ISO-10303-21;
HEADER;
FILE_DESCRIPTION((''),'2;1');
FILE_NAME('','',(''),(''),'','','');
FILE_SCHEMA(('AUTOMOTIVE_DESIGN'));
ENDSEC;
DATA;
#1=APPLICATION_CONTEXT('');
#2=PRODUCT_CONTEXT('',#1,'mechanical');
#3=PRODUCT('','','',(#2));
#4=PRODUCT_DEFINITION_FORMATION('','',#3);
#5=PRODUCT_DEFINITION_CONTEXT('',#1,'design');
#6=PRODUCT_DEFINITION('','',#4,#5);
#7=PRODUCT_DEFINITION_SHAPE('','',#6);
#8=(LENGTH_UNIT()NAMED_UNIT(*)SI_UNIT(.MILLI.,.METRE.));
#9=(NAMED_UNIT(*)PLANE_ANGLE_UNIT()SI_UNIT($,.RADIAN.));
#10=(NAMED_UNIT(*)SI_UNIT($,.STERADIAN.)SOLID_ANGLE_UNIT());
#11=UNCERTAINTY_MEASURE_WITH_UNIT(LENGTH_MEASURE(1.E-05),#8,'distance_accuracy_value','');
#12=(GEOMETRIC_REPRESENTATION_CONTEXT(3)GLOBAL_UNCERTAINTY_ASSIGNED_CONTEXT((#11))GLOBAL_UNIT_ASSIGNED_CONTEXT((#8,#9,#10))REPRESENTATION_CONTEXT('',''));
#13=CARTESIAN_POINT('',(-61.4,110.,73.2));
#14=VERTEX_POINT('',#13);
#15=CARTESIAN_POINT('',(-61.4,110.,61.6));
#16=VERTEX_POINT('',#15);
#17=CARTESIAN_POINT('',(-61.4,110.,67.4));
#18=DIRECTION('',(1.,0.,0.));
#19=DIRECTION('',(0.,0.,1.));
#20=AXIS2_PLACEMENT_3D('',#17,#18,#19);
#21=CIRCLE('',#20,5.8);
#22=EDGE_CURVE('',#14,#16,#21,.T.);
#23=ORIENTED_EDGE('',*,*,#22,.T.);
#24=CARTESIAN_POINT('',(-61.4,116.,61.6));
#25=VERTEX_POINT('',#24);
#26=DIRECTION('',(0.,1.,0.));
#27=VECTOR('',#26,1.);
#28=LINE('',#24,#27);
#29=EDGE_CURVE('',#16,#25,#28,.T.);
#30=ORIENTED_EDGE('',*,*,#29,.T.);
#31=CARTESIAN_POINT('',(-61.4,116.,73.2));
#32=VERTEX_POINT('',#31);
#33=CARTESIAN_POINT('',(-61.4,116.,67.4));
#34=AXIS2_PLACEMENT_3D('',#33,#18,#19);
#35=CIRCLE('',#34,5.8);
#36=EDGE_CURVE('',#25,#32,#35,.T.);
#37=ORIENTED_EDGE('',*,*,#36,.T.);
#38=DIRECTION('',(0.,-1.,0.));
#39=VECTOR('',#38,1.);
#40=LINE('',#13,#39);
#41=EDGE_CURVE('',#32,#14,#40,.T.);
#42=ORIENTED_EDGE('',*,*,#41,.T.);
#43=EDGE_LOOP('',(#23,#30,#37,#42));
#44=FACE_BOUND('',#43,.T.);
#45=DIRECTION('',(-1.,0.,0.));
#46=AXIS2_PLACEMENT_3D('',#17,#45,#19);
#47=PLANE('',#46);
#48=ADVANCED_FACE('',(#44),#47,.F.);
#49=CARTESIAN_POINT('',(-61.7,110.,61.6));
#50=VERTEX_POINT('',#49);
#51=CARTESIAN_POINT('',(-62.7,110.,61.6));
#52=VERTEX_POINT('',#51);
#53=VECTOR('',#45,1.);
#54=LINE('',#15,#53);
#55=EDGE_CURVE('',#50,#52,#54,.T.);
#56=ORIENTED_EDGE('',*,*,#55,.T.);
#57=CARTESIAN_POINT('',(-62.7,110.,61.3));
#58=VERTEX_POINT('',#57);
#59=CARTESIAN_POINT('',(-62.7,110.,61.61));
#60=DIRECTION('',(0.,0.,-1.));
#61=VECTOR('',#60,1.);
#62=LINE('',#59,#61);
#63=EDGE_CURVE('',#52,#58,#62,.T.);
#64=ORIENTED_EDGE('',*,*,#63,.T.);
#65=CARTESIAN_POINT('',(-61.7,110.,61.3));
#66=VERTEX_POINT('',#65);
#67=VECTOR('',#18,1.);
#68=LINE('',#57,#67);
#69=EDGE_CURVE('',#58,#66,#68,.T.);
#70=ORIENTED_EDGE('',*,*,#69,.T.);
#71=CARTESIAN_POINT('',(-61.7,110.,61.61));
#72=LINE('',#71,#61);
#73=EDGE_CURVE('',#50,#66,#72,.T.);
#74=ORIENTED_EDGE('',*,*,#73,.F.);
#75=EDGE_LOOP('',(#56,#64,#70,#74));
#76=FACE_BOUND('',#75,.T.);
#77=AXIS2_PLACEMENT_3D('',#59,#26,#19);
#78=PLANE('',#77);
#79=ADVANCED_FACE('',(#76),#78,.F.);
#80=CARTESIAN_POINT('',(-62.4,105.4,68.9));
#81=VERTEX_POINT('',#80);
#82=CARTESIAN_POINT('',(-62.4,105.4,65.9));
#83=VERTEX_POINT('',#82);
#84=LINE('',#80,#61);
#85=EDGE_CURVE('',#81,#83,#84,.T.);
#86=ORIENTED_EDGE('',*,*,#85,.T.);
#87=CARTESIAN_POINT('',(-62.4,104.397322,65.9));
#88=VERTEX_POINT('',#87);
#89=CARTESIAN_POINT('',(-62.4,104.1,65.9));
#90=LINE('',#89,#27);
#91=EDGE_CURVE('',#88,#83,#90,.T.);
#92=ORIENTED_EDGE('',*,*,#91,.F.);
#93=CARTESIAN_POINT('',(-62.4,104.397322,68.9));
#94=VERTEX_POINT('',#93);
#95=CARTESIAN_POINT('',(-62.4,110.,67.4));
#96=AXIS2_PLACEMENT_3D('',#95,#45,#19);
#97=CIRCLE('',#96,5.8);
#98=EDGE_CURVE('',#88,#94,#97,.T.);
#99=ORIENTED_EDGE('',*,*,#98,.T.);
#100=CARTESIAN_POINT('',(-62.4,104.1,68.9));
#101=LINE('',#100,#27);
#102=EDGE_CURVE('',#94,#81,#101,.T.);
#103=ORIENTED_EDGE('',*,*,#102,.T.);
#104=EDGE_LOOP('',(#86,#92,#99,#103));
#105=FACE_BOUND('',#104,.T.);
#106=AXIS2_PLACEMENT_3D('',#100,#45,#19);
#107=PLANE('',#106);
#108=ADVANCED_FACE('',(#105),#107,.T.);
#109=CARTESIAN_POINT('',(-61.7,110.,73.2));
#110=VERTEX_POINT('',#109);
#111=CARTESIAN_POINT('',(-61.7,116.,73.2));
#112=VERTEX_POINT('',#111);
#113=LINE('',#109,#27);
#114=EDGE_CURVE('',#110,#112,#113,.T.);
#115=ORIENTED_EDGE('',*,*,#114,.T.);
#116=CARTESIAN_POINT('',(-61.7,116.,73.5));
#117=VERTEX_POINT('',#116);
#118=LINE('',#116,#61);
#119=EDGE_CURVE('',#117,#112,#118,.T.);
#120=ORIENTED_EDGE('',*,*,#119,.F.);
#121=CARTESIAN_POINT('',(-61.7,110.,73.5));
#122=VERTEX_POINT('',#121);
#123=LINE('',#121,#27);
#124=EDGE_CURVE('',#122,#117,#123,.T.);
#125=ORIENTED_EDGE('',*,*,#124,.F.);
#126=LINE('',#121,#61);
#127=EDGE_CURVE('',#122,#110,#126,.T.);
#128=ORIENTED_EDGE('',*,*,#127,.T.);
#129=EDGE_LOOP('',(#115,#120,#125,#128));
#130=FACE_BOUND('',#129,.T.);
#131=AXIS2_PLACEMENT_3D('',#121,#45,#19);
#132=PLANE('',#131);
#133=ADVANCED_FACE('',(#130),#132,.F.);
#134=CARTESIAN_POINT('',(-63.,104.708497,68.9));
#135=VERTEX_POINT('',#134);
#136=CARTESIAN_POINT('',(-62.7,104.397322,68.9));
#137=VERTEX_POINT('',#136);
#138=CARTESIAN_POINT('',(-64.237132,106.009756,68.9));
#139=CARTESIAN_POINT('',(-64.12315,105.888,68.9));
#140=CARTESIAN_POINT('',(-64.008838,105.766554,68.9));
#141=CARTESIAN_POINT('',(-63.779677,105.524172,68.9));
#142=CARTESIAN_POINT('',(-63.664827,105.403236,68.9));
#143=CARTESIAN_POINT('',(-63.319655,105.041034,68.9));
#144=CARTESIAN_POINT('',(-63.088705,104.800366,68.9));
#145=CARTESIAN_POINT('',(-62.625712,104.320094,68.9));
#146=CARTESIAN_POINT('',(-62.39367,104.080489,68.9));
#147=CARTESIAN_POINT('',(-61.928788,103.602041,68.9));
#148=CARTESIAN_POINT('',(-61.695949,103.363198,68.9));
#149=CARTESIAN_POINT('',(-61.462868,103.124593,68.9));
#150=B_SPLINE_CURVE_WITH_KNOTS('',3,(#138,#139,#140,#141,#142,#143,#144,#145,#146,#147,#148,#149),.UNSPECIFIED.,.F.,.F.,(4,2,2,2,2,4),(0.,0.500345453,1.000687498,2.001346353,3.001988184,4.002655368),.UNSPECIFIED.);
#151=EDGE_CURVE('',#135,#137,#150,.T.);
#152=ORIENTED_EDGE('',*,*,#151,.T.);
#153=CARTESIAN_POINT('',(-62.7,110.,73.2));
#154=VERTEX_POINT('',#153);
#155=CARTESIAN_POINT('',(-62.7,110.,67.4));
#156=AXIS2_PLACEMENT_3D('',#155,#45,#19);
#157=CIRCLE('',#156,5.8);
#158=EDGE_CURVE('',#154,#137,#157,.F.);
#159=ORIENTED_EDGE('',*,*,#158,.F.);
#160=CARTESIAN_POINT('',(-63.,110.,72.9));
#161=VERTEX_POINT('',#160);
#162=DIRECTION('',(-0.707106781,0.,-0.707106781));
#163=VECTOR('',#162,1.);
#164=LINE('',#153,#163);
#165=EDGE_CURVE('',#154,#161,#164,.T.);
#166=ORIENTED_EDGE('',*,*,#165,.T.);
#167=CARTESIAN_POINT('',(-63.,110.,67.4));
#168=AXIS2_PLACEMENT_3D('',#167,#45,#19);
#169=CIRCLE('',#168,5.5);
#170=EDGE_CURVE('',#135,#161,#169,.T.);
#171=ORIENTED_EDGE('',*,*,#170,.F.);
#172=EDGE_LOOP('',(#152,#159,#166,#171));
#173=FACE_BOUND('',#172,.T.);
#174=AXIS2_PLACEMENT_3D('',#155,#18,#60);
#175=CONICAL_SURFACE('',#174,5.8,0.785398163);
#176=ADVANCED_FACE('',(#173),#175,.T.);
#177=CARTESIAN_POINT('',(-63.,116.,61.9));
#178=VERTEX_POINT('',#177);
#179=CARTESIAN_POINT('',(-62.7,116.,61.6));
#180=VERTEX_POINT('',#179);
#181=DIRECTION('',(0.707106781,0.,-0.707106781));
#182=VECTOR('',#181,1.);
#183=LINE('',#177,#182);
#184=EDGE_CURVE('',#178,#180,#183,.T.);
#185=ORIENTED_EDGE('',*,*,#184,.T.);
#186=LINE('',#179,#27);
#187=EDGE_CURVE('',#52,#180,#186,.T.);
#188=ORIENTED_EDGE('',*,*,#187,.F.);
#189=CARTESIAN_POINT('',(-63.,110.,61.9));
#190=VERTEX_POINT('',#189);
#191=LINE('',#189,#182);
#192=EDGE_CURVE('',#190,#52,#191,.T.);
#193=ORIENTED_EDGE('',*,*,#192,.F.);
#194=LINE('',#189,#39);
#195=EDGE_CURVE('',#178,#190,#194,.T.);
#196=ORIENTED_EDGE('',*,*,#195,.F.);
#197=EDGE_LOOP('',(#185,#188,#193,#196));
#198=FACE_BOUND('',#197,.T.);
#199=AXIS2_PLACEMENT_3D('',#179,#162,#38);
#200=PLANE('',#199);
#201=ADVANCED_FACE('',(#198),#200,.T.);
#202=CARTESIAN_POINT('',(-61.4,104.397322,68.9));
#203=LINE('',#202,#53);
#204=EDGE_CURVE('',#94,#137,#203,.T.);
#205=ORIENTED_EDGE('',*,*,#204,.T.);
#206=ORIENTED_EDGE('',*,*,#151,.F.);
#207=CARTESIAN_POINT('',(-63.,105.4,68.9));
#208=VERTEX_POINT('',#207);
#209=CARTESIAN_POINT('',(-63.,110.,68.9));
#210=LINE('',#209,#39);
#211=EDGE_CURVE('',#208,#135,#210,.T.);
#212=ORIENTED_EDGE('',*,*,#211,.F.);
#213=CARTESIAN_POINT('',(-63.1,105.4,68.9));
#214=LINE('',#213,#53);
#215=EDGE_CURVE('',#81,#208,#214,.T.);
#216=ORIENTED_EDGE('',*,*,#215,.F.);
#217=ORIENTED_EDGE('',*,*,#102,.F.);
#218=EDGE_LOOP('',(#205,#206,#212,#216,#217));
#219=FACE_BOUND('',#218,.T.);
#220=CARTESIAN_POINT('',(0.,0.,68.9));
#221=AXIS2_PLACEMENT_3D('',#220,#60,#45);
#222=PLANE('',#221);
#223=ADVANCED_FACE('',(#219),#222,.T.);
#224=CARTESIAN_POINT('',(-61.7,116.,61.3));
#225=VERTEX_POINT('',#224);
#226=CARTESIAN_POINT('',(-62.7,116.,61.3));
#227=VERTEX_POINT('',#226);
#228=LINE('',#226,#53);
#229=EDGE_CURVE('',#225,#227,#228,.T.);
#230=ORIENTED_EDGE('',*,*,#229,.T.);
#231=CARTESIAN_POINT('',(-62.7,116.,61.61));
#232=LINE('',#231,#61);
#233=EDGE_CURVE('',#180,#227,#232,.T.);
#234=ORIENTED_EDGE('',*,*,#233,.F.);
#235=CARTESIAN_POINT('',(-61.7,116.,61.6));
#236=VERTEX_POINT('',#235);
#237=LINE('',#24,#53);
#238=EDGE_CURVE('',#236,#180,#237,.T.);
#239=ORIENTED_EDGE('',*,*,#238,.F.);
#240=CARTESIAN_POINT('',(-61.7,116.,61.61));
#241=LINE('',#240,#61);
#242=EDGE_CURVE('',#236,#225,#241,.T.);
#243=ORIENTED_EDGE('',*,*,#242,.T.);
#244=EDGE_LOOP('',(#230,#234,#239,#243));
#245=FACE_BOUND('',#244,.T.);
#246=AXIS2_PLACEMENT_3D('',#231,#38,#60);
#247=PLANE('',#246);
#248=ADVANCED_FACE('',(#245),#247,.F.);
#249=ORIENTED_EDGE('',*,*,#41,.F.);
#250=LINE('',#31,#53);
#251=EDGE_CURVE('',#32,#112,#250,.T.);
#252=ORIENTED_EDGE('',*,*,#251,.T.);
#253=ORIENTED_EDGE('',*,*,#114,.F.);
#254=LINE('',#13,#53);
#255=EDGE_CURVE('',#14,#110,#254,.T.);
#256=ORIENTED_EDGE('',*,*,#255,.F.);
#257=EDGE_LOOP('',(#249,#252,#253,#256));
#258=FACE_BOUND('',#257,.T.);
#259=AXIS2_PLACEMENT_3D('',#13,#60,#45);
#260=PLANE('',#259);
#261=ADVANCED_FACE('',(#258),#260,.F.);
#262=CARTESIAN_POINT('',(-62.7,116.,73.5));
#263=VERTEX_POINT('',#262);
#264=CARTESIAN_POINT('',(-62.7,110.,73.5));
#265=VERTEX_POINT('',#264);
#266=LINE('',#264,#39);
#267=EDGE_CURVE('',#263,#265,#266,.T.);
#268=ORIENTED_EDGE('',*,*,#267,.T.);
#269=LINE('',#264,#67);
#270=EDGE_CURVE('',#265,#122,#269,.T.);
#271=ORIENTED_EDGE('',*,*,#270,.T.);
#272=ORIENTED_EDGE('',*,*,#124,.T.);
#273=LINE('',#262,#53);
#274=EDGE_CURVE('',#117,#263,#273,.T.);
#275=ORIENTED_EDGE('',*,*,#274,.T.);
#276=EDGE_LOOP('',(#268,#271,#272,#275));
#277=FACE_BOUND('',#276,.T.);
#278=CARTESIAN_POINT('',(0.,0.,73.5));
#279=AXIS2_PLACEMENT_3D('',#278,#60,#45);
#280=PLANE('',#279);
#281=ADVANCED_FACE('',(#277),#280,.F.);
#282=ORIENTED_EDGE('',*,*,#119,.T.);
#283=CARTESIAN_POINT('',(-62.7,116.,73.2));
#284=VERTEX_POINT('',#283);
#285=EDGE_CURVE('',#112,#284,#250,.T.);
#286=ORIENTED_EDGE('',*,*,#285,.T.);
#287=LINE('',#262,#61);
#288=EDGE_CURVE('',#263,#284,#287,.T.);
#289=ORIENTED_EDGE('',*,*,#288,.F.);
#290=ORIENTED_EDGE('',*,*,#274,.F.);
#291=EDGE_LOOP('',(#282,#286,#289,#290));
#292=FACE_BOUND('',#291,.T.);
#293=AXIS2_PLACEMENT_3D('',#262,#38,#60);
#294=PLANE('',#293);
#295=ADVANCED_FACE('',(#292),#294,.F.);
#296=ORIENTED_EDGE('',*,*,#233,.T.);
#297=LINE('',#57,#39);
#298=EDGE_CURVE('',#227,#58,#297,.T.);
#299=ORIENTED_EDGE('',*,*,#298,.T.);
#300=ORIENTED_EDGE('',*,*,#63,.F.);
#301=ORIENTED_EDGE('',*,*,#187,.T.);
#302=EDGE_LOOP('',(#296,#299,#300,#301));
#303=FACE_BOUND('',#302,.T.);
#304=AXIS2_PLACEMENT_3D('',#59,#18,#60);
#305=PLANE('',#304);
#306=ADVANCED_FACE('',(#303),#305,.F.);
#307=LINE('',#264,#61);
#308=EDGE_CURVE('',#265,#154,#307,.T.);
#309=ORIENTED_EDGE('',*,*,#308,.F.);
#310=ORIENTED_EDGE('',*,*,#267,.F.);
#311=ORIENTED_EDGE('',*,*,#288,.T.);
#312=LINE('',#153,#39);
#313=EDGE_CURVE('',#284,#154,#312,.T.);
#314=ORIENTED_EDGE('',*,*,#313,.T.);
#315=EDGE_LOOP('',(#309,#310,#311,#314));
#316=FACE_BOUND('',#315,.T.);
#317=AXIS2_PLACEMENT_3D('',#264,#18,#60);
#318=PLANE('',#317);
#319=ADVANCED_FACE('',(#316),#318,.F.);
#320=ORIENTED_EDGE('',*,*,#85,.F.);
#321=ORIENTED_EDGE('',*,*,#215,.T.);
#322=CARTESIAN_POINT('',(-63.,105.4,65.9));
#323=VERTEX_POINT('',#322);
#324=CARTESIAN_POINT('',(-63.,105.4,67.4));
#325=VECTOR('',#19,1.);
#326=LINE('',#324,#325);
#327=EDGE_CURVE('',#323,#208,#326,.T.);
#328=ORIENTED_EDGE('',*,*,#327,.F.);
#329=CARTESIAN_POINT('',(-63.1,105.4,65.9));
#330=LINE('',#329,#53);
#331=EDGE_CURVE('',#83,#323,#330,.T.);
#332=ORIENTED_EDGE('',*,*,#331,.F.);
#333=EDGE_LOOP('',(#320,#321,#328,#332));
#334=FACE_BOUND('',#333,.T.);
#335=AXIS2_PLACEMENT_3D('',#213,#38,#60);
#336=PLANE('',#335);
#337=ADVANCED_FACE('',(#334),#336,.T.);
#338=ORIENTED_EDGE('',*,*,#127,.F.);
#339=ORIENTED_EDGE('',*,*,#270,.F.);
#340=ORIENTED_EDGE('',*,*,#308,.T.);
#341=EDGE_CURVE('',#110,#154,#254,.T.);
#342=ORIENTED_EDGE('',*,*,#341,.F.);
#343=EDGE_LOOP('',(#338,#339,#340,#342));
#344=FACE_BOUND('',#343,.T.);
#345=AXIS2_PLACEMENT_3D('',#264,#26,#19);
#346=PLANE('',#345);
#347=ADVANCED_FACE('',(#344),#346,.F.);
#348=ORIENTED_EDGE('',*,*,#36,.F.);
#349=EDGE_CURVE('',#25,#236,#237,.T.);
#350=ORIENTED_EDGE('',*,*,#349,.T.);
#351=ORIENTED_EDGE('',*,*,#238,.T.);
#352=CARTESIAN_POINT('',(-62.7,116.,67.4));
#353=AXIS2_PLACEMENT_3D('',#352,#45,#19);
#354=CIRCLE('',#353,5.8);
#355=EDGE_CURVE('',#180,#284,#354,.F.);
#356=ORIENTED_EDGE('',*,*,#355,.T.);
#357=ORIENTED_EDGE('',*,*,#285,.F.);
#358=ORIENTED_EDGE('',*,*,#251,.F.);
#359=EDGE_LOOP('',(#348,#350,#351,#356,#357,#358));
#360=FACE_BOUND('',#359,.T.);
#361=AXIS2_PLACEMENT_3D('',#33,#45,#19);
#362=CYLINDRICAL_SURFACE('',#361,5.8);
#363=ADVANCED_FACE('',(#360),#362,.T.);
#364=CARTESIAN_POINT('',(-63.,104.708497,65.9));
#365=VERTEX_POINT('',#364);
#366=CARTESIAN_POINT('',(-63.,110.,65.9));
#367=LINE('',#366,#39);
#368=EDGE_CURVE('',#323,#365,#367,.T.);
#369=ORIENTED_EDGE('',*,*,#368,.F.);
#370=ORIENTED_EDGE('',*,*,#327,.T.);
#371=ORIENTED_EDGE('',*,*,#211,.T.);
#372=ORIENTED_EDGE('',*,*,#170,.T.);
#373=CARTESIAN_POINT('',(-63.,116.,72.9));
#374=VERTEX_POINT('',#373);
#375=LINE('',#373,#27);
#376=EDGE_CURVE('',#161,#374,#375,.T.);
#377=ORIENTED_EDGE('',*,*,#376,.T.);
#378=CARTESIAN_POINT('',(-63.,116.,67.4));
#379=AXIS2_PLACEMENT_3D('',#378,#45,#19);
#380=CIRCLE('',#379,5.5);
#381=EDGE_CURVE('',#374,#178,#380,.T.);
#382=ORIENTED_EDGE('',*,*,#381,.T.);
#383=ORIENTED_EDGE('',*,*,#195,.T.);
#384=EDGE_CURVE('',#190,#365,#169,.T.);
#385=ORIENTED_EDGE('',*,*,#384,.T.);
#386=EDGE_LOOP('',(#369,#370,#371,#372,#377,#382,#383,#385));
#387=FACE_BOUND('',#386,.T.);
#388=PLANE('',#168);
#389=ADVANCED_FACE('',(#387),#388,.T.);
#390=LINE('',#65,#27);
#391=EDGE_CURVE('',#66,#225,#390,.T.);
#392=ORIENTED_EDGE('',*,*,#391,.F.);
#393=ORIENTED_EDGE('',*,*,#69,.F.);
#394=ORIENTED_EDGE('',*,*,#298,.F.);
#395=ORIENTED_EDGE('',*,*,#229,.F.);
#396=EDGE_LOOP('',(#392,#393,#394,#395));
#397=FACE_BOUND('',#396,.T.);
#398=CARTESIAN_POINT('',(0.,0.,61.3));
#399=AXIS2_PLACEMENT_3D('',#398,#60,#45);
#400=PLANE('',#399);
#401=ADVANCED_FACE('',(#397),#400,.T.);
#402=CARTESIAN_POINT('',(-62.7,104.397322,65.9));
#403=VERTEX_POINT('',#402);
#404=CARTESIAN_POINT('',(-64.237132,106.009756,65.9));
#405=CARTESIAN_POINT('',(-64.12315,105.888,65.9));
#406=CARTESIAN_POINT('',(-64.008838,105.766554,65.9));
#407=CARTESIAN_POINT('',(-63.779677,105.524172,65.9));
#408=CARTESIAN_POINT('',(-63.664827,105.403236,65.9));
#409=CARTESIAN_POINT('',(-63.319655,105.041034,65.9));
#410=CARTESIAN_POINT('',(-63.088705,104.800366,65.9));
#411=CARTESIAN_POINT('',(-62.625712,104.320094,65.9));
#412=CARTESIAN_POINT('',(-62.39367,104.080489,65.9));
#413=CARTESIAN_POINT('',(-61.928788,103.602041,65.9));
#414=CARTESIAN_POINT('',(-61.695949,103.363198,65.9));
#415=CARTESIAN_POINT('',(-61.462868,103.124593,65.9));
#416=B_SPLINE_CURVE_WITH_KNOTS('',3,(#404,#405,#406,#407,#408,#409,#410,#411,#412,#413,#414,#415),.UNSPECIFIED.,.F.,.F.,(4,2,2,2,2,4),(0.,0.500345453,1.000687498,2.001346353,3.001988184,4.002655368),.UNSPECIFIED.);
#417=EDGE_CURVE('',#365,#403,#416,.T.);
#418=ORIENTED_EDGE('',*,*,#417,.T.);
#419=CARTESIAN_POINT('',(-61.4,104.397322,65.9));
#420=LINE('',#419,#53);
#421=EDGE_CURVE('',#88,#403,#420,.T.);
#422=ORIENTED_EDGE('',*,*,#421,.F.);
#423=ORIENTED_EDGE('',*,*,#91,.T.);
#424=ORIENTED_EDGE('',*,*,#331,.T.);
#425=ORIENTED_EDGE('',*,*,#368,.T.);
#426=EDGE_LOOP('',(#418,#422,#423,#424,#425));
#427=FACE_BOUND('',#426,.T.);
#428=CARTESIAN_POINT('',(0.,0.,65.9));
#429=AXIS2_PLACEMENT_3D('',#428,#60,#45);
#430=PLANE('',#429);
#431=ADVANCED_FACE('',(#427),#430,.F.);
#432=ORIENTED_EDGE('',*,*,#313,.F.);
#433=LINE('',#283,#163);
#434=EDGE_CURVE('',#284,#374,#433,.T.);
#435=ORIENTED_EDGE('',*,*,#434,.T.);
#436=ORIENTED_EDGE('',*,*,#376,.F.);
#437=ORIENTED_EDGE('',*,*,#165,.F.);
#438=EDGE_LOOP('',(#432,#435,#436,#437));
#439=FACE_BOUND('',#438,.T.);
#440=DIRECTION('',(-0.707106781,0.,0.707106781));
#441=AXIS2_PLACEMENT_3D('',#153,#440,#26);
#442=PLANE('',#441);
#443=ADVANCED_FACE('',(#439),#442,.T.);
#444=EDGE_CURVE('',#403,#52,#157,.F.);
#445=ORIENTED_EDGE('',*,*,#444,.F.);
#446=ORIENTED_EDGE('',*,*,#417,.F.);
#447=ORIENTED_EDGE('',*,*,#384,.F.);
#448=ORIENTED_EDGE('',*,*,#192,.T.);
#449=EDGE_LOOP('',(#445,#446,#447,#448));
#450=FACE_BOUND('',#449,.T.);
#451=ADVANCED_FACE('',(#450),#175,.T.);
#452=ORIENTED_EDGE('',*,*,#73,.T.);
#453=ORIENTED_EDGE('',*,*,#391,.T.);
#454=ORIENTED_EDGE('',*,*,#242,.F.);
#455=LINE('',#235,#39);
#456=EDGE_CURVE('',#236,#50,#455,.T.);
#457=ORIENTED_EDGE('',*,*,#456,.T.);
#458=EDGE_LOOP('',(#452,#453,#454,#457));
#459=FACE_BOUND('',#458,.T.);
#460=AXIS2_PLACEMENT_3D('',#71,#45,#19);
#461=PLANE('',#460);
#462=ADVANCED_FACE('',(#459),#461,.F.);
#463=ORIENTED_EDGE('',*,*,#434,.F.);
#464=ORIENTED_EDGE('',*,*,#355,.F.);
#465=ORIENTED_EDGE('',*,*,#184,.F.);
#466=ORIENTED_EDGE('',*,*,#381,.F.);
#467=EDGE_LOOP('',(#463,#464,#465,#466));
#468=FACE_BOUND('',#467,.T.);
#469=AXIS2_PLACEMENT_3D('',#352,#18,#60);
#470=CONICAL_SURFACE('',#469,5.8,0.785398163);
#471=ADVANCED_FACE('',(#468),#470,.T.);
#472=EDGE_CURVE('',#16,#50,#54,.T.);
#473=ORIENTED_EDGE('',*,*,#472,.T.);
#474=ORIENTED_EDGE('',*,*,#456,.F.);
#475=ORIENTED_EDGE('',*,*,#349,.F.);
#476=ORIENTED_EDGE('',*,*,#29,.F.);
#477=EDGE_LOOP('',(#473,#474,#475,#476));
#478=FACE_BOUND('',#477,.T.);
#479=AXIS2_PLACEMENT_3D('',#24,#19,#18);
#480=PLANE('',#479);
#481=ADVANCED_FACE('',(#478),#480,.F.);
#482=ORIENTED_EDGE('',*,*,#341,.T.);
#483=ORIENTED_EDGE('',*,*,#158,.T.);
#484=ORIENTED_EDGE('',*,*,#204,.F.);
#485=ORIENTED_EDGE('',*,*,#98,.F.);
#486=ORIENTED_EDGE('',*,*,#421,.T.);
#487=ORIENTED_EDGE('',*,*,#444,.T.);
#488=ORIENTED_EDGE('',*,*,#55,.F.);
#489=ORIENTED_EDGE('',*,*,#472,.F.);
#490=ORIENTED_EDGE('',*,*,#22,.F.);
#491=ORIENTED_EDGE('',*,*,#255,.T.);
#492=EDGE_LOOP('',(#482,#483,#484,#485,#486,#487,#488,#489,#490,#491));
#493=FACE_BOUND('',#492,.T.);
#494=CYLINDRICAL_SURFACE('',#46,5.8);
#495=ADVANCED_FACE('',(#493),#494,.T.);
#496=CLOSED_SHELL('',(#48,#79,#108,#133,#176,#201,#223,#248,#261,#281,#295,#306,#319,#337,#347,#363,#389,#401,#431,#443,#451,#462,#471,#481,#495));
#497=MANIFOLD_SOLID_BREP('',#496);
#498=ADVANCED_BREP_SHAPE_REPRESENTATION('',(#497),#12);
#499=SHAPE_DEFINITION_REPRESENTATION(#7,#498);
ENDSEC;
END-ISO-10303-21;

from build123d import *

# Parameters (mm, degrees)
BOSS_EXTRUDE1_START = -63
BOSS_EXTRUDE1_DEPTH = 1.6
CHAMFER1_SIZE       = 0.3
BOSS_EXTRUDE2_START = 61.3
SKETCH2_W           = 1
SKETCH2_H           = 6
BOSS_EXTRUDE2_DEPTH = 0.31
BOSS_EXTRUDE3_START = 73.19
SKETCH3_W           = 1
SKETCH3_H           = 6
BOSS_EXTRUDE3_DEPTH = 0.31
BOSS_EXTRUDE4_START = 65.9
SKETCH4_W           = 0.7
SKETCH4_H           = 1.3
BOSS_EXTRUDE4_DEPTH = 3


with BuildPart() as part:
    # Sketch1 → Boss-Extrude1 (new body)
    with BuildSketch(Plane(origin=(0, 0, 0), x_dir=(0, 0, -1), z_dir=(1, 0, 0)).offset(BOSS_EXTRUDE1_START)):
        with BuildLine():
            Line((-73.2, 110), (-73.2, 116))
            ThreePointArc((-73.2, 116), (-71.501219331, 120.101219331), (-67.4, 121.8))
            ThreePointArc((-67.4, 121.8), (-63.298780669, 120.101219331), (-61.6, 116))
            Line((-61.6, 116), (-61.6, 110))
            ThreePointArc((-61.6, 110), (-63.298780669, 105.898780669), (-67.4, 104.2))
            ThreePointArc((-67.4, 104.2), (-71.501219331, 105.898780669), (-73.2, 110))
        make_face()
    extrude(amount=BOSS_EXTRUDE1_DEPTH)

    # Chamfer1
    chamfer1_edges = [part.edges().sort_by_distance(p)[0] for p in [
        (-63, 104.2, 67.4),
        (-63, 113, 73.2),
        (-63, 121.8, 67.4),
        (-63, 113, 61.6),
    ]]
    chamfer(chamfer1_edges, length=CHAMFER1_SIZE)

    # Sketch2 → Boss-Extrude2 (add)
    with BuildSketch(Plane.XY.offset(BOSS_EXTRUDE2_START)):
        with Locations((-62.2, 113)):
            Rectangle(SKETCH2_W, SKETCH2_H)
    extrude(amount=BOSS_EXTRUDE2_DEPTH)

    # Sketch3 → Boss-Extrude3 (add)
    with BuildSketch(Plane.XY.offset(BOSS_EXTRUDE3_START)):
        with Locations((-62.2, 113)):
            Rectangle(SKETCH3_W, SKETCH3_H)
    extrude(amount=BOSS_EXTRUDE3_DEPTH)


with BuildPart() as body_2:
    # Sketch4 → Boss-Extrude4 (new body)
    with BuildSketch(Plane.XY.offset(BOSS_EXTRUDE4_START)):
        with Locations((-62.75, 104.75)):
            Rectangle(SKETCH4_W, SKETCH4_H)
    extrude(amount=BOSS_EXTRUDE4_DEPTH)


with BuildPart() as part_1:
    add(part.part)

    # Combine1: cut body 2
    add(body_2.part, mode=Mode.SUBTRACT)


solid = part_1.part
